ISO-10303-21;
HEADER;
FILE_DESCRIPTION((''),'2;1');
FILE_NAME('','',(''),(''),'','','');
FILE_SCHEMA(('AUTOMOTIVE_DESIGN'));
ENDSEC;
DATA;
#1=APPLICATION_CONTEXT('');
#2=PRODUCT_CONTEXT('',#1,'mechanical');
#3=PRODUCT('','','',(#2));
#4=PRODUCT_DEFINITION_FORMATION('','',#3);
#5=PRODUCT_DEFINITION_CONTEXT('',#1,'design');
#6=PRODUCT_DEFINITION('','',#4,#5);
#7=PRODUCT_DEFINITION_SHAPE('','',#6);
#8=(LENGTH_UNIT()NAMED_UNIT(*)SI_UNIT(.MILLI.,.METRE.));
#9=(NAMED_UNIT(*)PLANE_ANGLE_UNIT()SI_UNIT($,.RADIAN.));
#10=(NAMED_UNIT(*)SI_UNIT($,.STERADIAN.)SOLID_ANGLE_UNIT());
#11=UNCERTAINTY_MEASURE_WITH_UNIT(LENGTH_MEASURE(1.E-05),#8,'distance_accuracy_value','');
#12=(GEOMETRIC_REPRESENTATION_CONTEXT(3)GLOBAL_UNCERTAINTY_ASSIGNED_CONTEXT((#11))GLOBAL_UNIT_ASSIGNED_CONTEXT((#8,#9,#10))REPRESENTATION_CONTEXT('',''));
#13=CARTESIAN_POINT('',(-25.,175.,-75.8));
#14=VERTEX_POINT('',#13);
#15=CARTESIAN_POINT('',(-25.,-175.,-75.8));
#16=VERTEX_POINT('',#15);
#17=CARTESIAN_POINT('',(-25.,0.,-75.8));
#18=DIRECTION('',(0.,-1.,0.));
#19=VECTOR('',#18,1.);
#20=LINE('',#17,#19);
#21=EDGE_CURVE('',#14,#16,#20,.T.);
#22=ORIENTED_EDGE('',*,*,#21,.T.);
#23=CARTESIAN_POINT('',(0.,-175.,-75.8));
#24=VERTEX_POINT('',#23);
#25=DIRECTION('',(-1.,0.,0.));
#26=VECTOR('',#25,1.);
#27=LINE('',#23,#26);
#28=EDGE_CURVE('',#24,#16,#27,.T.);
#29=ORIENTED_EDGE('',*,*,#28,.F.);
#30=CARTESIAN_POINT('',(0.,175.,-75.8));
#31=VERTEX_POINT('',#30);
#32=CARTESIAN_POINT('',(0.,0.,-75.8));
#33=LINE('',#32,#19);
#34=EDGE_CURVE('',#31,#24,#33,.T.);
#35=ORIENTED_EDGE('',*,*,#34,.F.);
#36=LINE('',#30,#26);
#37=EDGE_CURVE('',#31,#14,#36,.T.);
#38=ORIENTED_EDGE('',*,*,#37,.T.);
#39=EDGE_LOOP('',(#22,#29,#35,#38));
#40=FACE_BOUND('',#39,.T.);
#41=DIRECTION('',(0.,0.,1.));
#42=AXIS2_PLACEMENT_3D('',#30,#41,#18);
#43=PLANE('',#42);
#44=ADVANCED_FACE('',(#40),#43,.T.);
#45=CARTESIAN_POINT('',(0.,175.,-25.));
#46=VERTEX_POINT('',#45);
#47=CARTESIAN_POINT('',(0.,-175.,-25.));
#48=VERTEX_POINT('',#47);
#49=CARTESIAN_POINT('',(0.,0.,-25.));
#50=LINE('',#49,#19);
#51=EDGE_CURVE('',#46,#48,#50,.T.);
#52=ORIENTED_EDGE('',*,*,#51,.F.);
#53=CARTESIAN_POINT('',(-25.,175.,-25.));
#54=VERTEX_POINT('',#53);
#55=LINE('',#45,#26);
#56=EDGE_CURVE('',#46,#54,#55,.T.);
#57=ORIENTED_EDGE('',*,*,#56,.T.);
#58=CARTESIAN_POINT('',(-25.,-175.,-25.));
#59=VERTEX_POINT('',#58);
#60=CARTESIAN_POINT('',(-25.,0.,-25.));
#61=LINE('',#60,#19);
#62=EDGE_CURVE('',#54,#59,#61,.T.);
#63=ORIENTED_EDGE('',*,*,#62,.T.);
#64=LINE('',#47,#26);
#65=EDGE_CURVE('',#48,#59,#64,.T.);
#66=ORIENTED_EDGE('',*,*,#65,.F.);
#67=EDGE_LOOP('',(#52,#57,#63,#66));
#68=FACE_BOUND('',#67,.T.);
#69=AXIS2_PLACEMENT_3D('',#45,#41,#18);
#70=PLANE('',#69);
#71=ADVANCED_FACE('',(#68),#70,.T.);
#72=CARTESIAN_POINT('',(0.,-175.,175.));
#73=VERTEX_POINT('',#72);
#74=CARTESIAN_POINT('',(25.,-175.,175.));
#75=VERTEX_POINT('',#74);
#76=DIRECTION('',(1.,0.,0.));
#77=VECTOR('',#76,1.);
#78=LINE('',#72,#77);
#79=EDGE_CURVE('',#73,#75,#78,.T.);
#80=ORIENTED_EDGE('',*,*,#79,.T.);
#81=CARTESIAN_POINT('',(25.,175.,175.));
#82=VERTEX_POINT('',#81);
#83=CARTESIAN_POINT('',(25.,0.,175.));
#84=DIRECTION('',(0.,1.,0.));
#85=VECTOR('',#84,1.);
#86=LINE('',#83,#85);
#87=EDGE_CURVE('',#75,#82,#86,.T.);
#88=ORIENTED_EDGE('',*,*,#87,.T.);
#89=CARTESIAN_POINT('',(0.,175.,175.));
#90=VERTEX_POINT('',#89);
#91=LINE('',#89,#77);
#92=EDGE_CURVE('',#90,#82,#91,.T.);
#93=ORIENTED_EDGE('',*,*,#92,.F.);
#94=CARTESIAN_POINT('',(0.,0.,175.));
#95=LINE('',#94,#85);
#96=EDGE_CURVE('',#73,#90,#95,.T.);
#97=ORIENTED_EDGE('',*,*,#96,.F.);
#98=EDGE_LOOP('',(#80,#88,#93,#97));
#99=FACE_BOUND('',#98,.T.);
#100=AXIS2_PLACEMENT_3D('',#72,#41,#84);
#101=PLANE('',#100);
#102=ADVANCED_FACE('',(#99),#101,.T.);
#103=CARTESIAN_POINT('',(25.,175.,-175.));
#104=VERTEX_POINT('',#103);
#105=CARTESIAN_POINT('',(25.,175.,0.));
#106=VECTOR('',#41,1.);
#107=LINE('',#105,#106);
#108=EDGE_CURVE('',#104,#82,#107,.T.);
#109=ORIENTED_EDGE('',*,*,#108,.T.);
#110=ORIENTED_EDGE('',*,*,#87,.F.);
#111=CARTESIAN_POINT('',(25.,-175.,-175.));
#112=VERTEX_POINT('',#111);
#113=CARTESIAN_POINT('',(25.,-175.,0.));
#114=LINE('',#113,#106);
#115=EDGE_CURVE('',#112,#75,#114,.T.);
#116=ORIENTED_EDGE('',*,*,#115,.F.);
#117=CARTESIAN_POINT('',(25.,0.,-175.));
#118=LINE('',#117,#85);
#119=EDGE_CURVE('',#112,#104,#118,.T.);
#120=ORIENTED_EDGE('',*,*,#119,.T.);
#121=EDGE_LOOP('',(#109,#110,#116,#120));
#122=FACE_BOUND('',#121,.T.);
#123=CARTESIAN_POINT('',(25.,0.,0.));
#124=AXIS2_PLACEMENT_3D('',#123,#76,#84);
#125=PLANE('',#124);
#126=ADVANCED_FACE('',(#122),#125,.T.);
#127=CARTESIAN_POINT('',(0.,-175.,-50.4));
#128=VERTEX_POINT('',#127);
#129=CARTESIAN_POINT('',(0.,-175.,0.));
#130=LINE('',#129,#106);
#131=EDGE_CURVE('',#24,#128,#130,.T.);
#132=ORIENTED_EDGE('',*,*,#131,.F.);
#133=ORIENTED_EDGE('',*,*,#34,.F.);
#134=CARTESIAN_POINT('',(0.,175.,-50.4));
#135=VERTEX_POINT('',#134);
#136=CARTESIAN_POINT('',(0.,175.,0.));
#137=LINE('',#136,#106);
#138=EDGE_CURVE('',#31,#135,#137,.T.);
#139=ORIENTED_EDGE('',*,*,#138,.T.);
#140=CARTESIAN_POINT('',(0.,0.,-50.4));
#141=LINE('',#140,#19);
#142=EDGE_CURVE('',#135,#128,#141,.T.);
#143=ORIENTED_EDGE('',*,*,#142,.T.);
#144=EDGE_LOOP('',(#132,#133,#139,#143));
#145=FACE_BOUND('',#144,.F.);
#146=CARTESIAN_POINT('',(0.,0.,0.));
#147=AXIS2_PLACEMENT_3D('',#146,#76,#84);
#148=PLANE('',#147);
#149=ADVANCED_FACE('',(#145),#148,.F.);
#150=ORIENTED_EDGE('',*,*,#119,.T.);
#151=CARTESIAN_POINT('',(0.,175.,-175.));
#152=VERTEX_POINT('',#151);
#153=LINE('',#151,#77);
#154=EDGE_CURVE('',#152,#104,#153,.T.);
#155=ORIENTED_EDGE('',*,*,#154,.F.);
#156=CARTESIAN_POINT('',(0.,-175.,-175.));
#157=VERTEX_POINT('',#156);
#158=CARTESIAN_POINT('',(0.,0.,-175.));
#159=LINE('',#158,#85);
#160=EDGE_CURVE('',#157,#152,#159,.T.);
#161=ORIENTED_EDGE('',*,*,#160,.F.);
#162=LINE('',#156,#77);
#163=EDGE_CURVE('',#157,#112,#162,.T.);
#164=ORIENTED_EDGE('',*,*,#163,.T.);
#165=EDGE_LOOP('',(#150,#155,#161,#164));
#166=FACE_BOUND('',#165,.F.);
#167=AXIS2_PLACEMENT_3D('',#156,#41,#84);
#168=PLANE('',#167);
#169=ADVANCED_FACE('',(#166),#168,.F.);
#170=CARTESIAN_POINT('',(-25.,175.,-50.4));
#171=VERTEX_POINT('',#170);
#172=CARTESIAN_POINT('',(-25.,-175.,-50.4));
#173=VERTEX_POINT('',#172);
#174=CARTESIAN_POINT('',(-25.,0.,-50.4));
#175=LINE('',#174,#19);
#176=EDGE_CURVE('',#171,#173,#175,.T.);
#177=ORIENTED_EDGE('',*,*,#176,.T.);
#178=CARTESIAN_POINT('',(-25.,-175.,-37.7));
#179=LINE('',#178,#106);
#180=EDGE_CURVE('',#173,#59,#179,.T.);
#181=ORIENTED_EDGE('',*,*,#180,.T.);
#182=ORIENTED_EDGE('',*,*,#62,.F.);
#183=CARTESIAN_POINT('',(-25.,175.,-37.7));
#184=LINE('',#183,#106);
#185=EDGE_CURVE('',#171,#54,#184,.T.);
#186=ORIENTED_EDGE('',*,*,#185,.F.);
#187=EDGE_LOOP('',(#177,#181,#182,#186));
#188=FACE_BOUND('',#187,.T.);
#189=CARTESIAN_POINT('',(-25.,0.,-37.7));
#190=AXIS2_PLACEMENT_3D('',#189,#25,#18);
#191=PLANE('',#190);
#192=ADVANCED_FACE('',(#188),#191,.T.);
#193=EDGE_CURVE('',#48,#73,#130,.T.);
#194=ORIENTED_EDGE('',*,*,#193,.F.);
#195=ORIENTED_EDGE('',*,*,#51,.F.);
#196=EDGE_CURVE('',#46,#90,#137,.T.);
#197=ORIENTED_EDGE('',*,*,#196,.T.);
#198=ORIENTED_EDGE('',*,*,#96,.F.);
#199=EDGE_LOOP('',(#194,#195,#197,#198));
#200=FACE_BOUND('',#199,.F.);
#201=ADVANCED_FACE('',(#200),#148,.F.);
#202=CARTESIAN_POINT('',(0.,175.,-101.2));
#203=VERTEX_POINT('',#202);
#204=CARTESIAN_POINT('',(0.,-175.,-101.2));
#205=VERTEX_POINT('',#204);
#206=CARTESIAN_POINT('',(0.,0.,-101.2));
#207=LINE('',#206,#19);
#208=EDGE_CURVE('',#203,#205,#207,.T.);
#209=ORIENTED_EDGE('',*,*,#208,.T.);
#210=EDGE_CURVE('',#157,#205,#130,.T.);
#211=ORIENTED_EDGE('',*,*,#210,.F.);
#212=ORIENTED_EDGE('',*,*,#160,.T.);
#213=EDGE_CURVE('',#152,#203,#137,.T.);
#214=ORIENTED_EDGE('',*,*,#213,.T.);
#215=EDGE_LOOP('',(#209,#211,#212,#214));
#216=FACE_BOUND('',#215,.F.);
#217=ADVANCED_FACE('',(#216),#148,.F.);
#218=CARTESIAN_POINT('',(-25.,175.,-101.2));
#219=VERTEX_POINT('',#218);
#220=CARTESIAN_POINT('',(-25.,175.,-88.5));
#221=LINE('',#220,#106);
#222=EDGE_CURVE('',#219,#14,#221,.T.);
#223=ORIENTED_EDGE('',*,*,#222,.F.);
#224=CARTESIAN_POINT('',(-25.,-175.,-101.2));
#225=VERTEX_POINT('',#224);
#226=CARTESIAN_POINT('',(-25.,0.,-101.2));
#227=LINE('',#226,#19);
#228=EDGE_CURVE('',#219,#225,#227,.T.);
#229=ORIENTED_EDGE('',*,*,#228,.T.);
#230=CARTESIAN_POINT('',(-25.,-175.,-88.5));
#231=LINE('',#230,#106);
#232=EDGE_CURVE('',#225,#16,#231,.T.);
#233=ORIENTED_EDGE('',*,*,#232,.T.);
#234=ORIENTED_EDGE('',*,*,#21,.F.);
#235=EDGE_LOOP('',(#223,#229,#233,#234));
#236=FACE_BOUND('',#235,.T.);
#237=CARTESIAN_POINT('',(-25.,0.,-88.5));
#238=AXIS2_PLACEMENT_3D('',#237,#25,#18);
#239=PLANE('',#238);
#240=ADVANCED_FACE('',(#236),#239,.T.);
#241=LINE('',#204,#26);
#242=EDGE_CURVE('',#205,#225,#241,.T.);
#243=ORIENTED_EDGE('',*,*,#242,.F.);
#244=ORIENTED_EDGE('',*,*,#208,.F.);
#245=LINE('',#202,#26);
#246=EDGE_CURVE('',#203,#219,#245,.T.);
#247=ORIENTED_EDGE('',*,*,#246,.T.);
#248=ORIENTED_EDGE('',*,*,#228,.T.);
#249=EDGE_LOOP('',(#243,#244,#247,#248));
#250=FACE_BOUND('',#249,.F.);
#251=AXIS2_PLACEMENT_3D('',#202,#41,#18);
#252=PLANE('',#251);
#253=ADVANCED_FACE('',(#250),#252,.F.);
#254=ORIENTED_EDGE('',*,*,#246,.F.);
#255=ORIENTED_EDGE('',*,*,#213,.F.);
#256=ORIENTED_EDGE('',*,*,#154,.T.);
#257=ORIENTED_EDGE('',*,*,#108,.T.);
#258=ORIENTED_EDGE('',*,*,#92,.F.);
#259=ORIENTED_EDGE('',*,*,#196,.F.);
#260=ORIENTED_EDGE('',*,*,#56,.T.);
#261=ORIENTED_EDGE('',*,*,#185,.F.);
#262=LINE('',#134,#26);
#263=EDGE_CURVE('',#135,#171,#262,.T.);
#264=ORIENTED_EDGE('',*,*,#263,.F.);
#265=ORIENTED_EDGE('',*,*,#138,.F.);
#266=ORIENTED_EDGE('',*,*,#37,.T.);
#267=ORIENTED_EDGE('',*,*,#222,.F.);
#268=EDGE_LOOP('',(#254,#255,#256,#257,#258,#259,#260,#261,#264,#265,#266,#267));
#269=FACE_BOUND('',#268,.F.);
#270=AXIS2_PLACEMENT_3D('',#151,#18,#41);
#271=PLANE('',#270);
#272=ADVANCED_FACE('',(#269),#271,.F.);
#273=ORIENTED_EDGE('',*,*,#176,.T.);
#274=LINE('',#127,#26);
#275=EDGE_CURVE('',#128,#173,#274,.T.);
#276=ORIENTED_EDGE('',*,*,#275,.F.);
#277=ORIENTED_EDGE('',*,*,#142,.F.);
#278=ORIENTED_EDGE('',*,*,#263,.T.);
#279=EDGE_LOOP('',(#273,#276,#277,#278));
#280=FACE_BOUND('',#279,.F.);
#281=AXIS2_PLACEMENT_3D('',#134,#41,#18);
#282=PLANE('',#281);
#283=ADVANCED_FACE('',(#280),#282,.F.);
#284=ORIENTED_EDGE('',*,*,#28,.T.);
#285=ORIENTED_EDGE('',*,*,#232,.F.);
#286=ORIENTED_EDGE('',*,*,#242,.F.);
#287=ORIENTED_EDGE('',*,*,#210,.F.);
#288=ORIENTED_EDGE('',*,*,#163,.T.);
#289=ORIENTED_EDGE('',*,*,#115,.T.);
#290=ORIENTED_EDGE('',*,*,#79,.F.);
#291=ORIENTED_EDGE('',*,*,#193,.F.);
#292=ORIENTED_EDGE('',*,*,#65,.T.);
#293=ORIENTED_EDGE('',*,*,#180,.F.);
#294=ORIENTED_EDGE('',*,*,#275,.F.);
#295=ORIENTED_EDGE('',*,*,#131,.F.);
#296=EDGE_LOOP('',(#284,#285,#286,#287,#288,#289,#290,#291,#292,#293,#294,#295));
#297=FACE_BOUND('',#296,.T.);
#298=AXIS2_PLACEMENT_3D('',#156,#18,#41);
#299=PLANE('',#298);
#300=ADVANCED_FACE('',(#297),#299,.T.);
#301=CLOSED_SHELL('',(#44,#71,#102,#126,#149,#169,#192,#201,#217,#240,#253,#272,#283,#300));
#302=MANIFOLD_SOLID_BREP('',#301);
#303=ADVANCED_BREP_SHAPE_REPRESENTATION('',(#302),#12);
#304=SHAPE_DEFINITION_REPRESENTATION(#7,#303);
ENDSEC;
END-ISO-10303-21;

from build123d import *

# Parameters (mm, degrees)
F0_W     = 350
F0_H     = 350
F1_DEPTH = 25
F2_W     = 350
F2_H     = 25.4
F3_DEPTH = 25


with BuildPart() as f1:
    # F0 (on Right) → F1 (new body)
    with BuildSketch(Plane.YZ):
        Rectangle(F0_W, F0_H)
    extrude(amount=F1_DEPTH)

    # F2 (on face) → F3 (join)
    with BuildSketch(Plane(origin=(0, 0, 0), x_dir=(0, -1, 0), z_dir=(-1, 0, 0))):
        with Locations((0, -37.7)):
            Rectangle(F2_W, F2_H)
        with Locations((0, -88.5)):
            Rectangle(F2_W, F2_H)
    extrude(amount=F3_DEPTH)


solid = f1.part
